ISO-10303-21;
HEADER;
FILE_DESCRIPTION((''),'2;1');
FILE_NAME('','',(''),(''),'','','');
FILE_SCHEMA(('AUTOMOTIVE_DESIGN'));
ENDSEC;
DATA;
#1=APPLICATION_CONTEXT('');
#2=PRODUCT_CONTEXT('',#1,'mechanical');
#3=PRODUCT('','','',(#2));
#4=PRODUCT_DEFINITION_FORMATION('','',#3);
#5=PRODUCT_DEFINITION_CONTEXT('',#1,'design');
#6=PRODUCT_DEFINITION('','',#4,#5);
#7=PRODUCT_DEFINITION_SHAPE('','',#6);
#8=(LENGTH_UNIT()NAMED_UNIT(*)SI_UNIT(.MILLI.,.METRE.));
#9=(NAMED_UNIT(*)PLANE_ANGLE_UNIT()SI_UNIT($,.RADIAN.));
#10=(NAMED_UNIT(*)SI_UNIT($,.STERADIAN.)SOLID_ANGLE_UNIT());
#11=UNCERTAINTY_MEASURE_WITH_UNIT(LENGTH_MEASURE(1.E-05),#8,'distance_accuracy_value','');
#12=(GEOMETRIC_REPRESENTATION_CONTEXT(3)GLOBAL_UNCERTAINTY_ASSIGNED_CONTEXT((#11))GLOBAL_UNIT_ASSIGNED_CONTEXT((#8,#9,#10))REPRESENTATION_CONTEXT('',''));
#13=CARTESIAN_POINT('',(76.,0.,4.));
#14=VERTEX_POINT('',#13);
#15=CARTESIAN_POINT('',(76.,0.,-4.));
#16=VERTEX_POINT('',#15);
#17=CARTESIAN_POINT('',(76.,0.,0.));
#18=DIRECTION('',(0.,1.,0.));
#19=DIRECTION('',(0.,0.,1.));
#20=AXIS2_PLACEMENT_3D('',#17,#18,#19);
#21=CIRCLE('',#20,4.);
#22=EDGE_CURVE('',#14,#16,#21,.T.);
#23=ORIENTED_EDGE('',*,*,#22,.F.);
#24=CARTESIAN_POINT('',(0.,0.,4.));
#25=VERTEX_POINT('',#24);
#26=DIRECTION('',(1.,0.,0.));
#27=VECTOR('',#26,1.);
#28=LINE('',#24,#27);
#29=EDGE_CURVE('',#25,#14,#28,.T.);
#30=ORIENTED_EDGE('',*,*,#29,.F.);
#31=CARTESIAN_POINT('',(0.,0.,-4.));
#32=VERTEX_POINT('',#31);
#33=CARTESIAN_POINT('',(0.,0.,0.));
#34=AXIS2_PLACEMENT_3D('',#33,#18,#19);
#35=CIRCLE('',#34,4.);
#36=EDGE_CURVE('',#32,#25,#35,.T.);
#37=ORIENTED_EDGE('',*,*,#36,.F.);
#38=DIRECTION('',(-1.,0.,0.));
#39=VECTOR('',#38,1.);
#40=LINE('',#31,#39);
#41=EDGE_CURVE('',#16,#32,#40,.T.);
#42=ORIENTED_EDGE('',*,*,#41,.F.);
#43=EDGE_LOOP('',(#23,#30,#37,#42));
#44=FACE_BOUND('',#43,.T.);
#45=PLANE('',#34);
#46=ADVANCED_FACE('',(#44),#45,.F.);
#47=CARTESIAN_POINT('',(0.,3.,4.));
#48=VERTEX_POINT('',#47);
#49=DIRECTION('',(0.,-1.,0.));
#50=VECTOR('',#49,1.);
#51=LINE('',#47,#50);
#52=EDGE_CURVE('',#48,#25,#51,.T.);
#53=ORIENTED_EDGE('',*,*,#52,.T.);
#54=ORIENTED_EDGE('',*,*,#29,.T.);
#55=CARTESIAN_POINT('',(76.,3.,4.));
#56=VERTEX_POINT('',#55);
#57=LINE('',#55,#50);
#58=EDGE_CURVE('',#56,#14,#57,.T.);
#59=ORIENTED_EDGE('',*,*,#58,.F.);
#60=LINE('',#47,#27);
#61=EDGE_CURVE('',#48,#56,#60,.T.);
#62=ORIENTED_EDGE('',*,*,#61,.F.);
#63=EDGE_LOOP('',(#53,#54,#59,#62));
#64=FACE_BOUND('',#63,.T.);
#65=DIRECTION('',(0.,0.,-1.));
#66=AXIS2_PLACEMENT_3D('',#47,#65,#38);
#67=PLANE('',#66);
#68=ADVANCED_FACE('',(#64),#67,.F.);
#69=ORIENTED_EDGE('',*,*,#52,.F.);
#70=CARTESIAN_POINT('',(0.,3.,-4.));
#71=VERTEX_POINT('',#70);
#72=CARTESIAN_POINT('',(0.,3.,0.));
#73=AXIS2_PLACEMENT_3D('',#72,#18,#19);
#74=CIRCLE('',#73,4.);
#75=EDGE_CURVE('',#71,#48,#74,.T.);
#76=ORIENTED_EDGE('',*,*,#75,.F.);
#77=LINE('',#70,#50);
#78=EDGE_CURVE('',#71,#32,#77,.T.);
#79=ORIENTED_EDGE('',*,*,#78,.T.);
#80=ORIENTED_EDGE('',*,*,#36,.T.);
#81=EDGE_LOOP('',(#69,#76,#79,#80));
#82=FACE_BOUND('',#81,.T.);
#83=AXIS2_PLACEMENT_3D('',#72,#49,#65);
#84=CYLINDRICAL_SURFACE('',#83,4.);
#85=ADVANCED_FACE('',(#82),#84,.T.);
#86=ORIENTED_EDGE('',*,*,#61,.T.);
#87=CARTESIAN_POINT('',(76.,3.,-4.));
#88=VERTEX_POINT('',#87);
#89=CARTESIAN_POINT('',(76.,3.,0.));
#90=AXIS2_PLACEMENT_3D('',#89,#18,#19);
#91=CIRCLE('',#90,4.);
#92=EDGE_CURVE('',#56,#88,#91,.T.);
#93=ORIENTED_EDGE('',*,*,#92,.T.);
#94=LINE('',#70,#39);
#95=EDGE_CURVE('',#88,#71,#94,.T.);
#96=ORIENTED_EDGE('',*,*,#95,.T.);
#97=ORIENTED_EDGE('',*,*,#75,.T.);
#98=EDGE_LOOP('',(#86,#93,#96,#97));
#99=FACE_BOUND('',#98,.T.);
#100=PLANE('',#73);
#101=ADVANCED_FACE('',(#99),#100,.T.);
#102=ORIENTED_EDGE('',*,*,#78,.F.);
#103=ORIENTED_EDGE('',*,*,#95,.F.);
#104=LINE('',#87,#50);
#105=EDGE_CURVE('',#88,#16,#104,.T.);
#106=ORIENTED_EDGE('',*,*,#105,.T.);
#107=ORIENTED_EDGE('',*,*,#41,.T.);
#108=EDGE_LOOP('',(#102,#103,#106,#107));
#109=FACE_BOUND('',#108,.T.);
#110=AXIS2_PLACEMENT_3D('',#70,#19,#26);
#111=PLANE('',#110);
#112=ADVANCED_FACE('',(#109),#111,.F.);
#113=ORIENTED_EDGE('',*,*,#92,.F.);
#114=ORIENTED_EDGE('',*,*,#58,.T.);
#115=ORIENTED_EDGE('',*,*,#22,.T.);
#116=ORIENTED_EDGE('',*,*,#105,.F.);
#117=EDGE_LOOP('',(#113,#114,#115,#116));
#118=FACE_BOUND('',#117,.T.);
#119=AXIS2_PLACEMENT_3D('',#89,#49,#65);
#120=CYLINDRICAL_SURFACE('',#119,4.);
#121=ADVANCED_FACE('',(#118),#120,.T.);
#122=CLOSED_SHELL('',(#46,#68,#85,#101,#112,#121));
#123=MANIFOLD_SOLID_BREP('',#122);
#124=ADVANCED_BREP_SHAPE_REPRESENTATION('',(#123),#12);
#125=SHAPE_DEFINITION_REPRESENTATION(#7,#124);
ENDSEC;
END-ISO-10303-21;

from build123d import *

# Parameters (mm, degrees)
BOSS_EXTRUDE1_DEPTH = 3


with BuildPart() as part:
    # Sketch1 → Boss-Extrude1 (new body)
    with BuildSketch(Plane(origin=(0, 0, 0), x_dir=(1, 0, 0), z_dir=(0, 1, 0))):
        with BuildLine():
            Line((0, 4), (76, 4))
            ThreePointArc((76, 4), (80, 0), (76, -4))
            Line((76, -4), (0, -4))
            ThreePointArc((0, -4), (-4, 0), (0, 4))
        make_face()
    extrude(amount=BOSS_EXTRUDE1_DEPTH)


solid = part.part
